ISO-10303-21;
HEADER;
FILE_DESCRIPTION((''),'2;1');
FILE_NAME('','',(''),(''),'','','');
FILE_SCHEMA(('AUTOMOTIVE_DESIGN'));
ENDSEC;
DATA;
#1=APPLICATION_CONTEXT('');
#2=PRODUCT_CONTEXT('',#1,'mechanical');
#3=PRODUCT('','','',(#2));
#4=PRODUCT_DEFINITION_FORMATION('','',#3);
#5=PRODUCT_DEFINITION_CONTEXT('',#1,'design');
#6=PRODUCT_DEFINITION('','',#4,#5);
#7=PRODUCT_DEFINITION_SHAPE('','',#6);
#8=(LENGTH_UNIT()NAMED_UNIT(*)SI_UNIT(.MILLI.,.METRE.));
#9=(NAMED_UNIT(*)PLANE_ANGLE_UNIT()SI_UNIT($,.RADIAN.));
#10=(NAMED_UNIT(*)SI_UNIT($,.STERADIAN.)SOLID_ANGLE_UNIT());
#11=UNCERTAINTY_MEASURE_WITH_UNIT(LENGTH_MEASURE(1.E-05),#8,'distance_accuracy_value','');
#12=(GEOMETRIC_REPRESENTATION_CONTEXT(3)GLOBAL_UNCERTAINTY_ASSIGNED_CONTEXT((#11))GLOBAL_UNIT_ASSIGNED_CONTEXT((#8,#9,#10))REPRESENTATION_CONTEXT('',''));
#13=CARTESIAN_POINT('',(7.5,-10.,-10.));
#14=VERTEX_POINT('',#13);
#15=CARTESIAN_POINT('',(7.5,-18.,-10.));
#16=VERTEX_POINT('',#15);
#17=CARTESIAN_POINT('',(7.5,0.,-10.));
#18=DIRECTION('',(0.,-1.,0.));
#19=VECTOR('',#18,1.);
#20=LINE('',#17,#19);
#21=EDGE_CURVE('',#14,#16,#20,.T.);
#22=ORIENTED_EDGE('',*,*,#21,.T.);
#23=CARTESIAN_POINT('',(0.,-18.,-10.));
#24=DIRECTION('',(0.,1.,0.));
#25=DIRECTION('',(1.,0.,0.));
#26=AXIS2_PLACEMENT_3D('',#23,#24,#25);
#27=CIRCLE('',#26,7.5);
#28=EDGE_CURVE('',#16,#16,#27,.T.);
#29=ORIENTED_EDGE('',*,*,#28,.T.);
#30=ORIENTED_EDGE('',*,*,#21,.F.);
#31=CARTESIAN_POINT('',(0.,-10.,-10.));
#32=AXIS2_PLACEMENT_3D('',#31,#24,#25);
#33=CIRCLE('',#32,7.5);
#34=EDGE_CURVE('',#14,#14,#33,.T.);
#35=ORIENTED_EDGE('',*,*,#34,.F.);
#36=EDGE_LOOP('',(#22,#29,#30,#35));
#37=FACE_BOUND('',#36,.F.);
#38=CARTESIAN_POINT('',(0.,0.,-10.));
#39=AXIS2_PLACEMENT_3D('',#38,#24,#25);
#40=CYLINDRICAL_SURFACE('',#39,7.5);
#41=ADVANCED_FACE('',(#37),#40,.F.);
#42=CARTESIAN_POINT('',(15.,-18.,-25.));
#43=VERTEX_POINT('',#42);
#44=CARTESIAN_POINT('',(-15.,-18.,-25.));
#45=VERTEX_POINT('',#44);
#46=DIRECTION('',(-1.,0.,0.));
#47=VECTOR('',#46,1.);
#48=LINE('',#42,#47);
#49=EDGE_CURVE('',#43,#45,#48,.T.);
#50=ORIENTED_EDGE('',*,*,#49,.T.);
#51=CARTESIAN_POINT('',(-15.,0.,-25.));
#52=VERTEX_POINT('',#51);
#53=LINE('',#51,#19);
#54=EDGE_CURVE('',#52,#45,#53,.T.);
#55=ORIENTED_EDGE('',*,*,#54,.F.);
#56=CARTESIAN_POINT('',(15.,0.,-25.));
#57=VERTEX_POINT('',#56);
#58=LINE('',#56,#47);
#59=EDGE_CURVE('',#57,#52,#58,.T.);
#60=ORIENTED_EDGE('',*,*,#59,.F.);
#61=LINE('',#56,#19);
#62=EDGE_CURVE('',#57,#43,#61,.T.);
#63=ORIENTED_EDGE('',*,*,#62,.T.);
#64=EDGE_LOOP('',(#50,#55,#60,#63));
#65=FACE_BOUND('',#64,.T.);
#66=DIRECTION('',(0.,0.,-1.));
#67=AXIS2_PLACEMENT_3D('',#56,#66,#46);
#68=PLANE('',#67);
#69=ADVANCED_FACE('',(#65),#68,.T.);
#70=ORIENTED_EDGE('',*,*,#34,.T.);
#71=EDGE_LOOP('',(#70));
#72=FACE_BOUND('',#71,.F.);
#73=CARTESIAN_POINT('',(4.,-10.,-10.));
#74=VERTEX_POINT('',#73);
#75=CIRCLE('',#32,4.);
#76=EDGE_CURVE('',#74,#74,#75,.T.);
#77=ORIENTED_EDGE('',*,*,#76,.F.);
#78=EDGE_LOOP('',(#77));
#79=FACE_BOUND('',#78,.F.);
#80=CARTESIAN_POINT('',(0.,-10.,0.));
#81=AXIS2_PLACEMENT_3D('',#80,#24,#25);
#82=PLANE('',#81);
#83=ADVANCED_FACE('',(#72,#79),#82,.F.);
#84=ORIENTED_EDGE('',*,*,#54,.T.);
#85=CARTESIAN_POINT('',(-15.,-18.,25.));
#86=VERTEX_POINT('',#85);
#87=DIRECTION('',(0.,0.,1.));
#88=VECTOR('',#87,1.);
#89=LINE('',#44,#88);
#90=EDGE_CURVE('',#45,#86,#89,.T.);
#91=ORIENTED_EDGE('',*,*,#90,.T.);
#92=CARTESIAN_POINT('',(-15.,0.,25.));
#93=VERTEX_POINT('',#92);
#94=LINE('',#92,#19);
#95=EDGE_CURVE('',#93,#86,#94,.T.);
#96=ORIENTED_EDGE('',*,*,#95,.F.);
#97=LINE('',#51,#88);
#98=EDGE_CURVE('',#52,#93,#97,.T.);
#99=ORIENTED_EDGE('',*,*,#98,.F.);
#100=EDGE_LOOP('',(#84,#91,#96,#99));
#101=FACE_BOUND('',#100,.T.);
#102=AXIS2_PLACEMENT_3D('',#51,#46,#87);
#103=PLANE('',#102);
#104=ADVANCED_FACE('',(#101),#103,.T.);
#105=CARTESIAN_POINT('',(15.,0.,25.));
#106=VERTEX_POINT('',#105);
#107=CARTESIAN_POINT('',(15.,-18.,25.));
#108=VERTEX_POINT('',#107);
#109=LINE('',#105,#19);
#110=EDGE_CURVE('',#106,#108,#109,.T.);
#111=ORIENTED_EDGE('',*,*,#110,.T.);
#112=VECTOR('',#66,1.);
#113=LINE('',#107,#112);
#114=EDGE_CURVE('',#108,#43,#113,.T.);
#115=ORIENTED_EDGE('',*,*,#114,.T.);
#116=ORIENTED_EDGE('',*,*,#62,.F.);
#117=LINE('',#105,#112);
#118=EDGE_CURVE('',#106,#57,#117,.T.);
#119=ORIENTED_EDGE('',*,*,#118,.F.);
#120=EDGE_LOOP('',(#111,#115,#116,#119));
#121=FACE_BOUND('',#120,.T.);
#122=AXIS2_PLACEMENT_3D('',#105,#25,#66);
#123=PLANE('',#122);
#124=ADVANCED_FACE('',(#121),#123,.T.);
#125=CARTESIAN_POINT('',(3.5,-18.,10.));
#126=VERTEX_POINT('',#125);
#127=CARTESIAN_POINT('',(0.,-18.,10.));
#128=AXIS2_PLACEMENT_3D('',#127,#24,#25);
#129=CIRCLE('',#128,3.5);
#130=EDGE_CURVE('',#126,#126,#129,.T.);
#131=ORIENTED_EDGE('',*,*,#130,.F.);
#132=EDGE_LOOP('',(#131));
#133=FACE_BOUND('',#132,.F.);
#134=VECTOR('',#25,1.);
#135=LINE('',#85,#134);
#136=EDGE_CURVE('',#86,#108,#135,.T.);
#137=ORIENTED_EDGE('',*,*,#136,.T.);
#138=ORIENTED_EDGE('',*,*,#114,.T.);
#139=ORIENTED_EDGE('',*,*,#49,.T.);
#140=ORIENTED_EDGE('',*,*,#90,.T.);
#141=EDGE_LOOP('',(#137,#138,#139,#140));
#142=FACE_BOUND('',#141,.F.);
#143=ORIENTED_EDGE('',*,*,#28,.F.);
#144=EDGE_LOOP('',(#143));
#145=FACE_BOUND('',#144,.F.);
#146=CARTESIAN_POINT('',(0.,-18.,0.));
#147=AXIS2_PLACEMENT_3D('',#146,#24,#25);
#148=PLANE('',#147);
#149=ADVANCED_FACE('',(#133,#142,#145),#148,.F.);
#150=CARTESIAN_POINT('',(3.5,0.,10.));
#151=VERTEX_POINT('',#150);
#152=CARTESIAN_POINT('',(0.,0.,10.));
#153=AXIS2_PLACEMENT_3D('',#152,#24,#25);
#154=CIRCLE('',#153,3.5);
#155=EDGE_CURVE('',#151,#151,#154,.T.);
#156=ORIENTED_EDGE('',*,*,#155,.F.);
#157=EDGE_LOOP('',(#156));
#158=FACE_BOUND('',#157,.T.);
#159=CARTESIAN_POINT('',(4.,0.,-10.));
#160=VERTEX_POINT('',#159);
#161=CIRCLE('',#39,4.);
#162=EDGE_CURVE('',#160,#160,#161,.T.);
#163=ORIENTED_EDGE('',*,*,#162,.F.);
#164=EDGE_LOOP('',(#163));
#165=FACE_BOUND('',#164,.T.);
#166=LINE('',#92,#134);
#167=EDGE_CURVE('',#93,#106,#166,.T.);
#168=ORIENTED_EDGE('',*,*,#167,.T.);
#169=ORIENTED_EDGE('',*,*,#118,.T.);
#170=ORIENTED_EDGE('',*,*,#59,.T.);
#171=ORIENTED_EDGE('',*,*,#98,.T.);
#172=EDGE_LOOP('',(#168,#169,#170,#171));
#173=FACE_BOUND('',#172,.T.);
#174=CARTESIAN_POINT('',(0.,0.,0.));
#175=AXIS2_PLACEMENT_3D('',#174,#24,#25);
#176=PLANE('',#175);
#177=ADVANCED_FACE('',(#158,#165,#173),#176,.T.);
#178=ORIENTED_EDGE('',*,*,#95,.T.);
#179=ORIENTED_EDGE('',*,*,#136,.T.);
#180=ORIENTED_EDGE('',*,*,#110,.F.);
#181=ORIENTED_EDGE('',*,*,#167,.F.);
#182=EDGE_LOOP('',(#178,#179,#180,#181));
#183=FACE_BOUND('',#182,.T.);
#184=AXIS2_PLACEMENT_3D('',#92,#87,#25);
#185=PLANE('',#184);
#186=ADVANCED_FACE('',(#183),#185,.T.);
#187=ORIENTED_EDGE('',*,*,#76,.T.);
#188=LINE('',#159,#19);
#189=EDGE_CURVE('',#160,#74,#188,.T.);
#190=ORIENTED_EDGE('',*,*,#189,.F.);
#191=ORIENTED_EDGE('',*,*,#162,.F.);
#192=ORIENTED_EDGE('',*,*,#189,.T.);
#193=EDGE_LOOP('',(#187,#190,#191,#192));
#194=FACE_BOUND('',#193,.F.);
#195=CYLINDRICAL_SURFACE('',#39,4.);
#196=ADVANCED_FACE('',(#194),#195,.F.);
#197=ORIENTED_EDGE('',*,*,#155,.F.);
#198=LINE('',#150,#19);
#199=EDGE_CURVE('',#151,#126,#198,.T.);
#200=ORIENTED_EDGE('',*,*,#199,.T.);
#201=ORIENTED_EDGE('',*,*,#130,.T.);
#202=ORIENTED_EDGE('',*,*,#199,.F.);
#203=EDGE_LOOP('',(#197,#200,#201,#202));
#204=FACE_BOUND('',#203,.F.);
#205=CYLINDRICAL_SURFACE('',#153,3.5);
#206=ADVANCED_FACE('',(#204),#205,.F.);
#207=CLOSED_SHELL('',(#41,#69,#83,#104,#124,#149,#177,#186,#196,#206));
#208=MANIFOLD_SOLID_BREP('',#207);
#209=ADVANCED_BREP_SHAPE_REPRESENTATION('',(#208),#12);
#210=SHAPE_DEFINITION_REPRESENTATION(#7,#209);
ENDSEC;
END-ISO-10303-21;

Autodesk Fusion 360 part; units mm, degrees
sketch "Front" plane through (0, 0, 0) normal (0, 1, 0) x (1, 0, 0)
  line L0 (-15, -25) -> (15, -25)
  line L1 (15, -25) -> (15, 25)
  line L2 (15, 25) -> (-15, 25)
  line L3 (-15, 25) -> (-15, -25)
  line L4 (0, -25) -> (0, 25) construction
  circle A0 centre (0, 10) radius 4
  circle A1 centre (0, -10) radius 3.5
  circle A2 centre (0, 10) radius 7.5
  dimension "d11" = 30
  dimension "d12" = 50
  dimension "d19" = 8
  dimension "d20" = 7
  dimension "d21" = 20
  dimension "d24" = 15
  dimension "d26" = 15
extrude "Extrude3" add sketch "Front" against normal blind 10 contours A2
extrude "Extrude4" add sketch "Front" against normal blind 18 contours L0 L1 L2 L3
